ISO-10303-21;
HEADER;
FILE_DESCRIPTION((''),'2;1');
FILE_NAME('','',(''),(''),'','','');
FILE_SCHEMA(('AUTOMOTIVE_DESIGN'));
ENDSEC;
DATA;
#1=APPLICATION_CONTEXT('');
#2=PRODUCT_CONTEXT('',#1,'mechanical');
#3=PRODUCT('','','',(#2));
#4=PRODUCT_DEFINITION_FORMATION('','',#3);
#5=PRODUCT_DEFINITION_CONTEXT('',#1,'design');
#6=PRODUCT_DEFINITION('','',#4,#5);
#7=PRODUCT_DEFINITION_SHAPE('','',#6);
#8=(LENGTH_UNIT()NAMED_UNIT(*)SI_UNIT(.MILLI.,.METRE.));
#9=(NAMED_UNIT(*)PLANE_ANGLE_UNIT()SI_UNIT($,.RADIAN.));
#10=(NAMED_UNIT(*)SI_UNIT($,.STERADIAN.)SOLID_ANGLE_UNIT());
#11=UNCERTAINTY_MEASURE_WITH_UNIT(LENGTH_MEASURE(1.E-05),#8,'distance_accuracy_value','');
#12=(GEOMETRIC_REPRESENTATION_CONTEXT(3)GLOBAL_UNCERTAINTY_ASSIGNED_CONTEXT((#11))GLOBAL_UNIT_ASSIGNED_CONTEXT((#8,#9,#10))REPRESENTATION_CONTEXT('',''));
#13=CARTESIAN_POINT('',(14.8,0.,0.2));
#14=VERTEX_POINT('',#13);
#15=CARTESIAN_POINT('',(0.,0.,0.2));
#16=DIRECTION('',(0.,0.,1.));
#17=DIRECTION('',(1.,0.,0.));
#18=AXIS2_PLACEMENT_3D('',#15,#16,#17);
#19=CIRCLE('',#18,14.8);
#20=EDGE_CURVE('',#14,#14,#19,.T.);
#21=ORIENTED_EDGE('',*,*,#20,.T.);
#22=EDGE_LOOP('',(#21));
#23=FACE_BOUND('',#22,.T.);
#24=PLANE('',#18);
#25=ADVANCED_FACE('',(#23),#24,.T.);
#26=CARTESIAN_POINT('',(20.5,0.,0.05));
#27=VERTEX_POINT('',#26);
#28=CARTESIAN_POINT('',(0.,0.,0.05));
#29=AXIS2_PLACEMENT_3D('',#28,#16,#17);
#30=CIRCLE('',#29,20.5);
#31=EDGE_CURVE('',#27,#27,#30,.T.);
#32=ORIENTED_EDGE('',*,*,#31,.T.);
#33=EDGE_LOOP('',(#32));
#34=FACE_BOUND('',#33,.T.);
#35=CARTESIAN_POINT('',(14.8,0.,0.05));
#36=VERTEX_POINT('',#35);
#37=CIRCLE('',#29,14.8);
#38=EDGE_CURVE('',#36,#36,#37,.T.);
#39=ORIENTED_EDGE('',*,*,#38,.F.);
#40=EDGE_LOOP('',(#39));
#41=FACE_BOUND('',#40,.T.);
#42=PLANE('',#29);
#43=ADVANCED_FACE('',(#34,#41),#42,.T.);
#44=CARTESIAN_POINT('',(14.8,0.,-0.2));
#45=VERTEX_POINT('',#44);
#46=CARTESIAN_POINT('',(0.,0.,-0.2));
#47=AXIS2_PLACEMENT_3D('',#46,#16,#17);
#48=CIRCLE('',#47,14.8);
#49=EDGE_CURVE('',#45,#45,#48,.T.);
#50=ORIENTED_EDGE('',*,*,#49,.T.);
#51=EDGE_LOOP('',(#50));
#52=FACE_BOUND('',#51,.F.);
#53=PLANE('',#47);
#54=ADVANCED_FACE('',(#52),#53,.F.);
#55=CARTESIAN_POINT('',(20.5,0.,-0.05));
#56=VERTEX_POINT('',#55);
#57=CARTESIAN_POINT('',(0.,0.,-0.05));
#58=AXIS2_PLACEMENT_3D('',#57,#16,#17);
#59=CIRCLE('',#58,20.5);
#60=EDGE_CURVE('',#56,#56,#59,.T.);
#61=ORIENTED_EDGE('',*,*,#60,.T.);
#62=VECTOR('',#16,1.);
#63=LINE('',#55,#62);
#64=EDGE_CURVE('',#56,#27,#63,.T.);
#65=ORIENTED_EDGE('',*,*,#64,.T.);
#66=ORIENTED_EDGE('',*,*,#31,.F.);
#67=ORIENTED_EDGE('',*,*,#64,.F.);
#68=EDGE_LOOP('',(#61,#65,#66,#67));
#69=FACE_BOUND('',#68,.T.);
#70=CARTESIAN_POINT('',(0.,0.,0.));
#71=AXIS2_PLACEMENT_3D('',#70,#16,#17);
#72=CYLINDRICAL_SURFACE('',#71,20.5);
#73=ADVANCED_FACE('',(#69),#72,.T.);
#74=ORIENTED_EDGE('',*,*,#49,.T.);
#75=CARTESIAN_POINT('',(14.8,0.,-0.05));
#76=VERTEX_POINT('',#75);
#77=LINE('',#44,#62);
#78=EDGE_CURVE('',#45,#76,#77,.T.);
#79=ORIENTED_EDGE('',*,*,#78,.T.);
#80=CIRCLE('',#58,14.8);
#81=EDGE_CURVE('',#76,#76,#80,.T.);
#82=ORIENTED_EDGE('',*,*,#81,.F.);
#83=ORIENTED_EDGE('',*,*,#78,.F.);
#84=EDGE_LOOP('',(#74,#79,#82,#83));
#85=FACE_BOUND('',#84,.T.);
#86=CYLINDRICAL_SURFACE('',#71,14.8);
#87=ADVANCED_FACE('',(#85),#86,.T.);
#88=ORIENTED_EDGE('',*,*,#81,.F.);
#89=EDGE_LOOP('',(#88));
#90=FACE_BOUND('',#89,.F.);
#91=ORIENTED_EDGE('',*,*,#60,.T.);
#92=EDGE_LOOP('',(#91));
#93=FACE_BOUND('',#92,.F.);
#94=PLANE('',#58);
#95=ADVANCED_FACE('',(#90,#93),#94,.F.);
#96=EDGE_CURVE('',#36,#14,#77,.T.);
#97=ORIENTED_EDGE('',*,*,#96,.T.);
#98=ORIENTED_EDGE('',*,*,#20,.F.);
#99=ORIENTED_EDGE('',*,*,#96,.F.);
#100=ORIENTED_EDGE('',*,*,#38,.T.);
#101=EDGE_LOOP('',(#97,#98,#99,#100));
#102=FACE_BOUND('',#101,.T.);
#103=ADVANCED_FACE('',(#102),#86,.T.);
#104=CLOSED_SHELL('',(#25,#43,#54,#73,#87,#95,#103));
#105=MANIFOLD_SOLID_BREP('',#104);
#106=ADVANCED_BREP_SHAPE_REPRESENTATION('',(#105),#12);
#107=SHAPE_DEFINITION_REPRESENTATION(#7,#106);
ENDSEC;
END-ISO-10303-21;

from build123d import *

# Parameters (mm, degrees)
F0_R     = 14.8
F1_DEPTH = 0.2
F0_R_2   = 20.5
F2_DEPTH = 0.05


with BuildPart() as f1:
    # F0 (on Top) → F1 (new body, symmetric)
    with BuildSketch(Plane.XY):
        Circle(F0_R)
    extrude(amount=F1_DEPTH, both=True)

    # F0 (on Top) → F2 (join, symmetric)
    with BuildSketch(Plane.XY):
        Circle(F0_R_2)
        Circle(F0_R, mode=Mode.SUBTRACT)
    extrude(amount=F2_DEPTH, both=True)


solid = f1.part
